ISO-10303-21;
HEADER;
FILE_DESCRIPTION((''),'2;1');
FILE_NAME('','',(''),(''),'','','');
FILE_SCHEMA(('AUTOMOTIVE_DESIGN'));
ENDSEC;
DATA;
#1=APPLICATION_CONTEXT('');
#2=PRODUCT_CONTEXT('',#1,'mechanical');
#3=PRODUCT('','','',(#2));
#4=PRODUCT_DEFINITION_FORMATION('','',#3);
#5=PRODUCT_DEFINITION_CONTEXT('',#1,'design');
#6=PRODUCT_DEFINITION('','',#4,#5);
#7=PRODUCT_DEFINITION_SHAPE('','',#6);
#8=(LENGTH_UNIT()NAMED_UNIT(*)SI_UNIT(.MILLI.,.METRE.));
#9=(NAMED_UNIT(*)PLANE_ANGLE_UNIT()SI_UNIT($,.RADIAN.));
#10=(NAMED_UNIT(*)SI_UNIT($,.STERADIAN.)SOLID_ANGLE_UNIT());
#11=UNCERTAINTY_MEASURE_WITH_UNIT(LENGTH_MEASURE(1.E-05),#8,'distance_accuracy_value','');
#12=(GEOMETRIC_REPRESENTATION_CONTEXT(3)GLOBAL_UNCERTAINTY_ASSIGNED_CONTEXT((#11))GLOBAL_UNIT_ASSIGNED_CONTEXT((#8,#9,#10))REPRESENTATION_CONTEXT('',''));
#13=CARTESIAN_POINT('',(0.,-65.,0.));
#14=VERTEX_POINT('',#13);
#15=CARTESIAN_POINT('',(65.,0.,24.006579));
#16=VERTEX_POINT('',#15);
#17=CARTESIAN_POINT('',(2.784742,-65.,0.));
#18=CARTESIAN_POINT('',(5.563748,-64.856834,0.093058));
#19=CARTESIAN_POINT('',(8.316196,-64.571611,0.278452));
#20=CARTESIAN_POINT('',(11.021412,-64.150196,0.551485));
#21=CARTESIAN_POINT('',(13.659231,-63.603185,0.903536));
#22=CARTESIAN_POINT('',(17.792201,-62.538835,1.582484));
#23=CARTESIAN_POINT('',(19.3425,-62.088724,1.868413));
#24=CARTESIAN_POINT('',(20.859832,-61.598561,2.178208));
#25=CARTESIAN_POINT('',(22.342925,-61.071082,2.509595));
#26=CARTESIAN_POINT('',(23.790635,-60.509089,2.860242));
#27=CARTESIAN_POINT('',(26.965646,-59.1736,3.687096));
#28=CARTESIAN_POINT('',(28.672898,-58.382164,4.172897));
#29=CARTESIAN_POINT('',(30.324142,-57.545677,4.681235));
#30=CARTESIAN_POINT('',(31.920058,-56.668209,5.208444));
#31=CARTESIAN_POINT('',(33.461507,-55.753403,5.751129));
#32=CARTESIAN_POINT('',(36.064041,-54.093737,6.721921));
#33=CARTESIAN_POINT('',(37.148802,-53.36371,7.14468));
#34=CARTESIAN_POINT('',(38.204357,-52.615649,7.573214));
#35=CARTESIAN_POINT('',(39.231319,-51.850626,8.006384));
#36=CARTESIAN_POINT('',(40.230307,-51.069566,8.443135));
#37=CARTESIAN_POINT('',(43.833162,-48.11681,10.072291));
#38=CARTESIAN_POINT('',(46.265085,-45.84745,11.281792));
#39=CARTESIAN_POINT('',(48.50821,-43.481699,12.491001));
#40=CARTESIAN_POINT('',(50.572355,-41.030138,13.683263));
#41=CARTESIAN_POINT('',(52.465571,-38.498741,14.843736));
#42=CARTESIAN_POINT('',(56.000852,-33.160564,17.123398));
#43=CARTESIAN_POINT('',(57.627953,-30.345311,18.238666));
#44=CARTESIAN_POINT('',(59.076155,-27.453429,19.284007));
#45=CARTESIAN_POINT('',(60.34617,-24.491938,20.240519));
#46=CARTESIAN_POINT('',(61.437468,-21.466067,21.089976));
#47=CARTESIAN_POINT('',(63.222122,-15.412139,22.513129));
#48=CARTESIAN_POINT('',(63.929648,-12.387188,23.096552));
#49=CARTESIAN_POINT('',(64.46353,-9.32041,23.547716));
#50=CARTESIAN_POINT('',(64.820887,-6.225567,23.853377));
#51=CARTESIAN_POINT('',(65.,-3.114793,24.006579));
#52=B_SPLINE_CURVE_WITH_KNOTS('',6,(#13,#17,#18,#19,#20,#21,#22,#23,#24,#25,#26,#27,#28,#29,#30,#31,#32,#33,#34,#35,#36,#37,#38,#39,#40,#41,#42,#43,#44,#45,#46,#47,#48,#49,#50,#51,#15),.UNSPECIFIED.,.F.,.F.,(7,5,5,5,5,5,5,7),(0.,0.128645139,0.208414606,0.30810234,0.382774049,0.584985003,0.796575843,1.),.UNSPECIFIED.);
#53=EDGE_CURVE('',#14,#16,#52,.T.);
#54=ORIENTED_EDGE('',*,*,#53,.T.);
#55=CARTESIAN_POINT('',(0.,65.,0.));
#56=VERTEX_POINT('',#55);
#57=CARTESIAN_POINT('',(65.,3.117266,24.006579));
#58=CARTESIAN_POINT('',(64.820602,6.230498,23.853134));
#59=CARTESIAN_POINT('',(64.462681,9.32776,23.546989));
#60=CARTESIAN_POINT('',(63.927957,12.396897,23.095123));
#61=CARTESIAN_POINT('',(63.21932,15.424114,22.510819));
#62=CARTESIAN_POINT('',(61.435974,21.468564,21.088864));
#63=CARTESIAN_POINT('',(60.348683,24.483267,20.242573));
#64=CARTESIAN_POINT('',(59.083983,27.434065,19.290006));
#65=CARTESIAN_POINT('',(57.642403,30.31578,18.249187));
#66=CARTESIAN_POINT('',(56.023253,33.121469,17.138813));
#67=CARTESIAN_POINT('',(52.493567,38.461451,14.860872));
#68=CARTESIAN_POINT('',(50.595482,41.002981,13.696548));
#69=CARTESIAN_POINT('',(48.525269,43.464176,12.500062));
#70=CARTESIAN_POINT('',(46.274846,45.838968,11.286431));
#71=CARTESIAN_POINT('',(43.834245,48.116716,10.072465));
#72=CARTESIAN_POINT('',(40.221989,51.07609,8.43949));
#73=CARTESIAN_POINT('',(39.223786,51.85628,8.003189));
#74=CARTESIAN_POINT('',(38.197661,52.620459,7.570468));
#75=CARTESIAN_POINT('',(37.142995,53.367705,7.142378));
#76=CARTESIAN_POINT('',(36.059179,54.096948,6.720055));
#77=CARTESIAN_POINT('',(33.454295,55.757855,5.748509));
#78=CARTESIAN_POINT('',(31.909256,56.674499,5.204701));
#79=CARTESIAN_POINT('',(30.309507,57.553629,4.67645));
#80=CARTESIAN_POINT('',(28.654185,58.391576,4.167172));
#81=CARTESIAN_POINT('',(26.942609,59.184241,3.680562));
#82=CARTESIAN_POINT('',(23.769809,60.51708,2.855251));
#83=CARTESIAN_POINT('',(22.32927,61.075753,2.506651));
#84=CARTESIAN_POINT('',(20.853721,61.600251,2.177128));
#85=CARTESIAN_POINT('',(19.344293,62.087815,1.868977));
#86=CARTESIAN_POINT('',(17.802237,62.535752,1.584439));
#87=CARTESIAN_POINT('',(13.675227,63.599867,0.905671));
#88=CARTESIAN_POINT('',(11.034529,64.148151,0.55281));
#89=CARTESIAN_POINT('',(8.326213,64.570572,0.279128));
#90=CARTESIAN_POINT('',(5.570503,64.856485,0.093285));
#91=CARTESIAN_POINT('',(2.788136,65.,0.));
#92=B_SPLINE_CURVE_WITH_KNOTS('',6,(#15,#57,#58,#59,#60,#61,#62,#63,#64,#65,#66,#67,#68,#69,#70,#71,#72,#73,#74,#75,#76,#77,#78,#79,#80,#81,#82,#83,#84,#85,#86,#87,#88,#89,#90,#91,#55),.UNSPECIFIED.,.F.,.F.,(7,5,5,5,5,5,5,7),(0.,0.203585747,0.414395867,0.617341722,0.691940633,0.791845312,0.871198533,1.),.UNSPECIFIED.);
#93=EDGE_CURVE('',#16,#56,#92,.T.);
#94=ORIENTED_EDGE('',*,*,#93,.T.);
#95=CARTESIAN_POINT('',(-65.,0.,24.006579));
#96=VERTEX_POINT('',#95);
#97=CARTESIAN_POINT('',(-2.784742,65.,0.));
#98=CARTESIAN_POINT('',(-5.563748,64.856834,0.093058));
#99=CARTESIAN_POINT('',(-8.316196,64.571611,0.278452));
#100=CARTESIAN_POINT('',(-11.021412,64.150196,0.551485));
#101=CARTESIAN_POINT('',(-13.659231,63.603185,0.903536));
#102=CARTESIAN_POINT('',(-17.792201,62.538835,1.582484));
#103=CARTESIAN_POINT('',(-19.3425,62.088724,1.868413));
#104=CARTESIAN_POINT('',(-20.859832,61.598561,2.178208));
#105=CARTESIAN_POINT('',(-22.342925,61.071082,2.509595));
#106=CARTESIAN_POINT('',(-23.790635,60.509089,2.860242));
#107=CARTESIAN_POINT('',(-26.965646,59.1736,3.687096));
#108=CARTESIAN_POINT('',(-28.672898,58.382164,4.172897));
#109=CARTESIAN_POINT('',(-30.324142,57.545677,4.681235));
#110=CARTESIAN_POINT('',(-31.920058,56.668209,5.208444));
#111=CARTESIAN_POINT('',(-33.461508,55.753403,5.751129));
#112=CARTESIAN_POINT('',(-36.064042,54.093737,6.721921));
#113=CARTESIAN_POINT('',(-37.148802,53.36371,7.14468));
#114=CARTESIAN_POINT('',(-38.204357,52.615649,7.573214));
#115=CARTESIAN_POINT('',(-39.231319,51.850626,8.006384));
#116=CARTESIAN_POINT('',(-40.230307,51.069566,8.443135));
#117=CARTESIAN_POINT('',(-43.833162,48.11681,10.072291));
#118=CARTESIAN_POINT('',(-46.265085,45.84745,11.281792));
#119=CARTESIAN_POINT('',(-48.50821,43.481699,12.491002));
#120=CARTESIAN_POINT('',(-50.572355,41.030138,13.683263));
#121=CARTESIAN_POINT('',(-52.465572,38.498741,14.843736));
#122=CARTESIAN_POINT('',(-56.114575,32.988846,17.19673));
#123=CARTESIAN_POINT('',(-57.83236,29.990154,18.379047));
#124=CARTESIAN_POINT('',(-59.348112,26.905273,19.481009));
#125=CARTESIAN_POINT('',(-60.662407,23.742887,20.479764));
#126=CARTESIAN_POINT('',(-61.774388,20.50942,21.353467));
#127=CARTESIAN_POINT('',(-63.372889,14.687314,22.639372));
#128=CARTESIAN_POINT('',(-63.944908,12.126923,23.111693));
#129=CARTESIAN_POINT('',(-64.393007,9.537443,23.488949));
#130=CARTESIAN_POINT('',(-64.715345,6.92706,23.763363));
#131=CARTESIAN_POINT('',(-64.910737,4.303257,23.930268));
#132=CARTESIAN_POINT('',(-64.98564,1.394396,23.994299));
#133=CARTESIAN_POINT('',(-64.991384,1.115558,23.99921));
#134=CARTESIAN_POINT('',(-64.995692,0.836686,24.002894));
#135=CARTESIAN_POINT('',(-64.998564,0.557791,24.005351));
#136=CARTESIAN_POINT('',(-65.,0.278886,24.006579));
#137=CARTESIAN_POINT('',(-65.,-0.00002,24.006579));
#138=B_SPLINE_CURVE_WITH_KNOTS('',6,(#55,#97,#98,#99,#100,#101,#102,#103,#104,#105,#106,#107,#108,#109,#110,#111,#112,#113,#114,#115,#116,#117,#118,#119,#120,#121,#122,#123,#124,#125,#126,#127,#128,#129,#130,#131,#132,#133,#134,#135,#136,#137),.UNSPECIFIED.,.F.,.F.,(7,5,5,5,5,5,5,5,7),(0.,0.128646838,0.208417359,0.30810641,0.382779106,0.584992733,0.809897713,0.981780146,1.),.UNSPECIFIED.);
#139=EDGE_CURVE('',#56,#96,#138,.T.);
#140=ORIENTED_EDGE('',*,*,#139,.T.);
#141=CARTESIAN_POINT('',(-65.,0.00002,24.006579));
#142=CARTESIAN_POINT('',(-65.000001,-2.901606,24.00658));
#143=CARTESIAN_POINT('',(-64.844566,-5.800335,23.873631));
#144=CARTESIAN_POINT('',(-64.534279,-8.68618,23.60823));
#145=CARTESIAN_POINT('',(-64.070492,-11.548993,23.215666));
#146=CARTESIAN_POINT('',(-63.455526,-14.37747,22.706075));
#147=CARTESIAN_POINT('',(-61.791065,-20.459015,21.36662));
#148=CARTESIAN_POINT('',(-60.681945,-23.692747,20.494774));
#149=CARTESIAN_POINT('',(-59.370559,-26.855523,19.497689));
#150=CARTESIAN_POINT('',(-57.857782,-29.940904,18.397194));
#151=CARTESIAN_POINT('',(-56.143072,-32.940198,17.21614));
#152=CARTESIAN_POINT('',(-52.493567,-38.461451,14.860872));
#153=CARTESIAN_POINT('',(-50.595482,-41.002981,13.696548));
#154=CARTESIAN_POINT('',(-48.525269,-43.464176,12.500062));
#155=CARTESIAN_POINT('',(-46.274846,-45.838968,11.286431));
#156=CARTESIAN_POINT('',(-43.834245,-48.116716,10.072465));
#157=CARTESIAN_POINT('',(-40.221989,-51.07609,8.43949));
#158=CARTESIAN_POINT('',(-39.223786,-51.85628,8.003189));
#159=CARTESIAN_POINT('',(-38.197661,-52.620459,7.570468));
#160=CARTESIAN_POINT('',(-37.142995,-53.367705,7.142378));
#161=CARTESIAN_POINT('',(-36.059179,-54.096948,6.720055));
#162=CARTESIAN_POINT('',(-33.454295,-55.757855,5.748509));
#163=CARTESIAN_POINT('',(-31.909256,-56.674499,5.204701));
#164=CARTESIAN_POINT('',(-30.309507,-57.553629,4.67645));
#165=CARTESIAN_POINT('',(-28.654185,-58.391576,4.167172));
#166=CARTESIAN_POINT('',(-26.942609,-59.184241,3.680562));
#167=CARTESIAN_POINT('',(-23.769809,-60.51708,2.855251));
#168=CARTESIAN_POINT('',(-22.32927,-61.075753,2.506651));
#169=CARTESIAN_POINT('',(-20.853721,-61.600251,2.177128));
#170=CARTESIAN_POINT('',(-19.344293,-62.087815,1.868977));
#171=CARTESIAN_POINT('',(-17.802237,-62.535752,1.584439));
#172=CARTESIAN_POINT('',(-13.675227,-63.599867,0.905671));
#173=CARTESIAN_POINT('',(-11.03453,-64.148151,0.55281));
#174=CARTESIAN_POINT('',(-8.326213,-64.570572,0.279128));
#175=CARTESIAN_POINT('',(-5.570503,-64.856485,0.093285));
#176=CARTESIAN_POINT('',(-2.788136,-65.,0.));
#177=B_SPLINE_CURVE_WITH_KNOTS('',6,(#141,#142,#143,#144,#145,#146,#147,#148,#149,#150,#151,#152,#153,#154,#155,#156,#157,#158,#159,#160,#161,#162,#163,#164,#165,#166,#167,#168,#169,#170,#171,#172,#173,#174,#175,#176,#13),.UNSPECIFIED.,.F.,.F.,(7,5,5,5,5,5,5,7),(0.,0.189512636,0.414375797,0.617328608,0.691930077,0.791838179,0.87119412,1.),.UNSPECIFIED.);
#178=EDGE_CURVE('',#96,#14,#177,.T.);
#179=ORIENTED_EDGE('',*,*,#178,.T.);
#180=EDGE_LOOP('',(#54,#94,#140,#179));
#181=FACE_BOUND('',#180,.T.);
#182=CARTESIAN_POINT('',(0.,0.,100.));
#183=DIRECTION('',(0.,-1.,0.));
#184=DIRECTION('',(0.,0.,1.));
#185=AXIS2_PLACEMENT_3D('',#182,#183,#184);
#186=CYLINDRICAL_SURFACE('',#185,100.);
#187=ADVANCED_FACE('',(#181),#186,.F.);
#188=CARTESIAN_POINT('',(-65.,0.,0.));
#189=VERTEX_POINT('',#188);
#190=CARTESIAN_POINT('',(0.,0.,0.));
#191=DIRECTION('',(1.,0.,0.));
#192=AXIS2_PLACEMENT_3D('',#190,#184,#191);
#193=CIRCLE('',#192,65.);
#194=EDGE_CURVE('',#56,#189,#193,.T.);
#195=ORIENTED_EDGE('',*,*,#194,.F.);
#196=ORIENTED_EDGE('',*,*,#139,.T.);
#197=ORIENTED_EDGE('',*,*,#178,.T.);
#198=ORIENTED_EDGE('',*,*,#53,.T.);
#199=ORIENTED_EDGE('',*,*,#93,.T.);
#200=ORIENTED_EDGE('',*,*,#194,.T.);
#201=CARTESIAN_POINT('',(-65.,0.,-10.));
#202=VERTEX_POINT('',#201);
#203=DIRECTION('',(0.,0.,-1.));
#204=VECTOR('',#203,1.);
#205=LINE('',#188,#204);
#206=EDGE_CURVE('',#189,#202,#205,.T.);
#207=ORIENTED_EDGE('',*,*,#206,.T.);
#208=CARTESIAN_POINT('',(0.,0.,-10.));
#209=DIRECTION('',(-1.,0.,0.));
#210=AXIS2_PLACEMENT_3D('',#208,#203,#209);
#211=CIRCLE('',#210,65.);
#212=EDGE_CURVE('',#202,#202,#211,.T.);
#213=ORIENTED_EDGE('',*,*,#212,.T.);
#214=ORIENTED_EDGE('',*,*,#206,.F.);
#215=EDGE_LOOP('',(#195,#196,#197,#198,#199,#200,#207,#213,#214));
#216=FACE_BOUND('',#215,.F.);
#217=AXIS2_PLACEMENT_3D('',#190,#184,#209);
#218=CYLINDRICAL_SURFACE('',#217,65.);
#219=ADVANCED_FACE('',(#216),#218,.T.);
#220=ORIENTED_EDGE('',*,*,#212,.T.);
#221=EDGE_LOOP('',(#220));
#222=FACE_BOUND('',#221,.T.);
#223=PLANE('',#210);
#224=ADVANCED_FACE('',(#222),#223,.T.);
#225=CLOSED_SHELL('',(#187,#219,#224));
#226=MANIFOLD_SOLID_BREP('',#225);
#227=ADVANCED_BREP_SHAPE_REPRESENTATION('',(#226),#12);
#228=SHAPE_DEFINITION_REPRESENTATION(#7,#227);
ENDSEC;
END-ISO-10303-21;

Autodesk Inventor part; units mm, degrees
ref_plane "XZ Plane" through (0, 0, 0) normal (0, 1, 0) x (-1, 0, 0)
ref_plane "XY Plane" through (0, 0, 0) normal (0, 0, 1) x (1, 0, 0)
sketch "Sketch1" plane through (0, 0, 0) normal (0, 0, 1) x (1, 0, 0)
  circle A0 centre (0, 0) radius 65
  dimension "d0" = 130
extrude "Extrusion1" add sketch "Sketch1" along normal blind 25
ref_plane "Work Plane1" through (0, 0, 0) normal (0, 1, 0) x (0, 0, 1)
sketch "Sketch2" plane through (0, 0, 0) normal (0, 1, 0) x (0, 0, 1)
  circle A0 centre (100, 0) radius 100
  line L0 (0, 65) -> (0, -65) projected
  point P0 (0, 0)
  dimension "d4" = 200
extrude "Extrusion2" cut sketch "Sketch2" along normal mid plane 130
sketch "Sketch3" plane through (0, 0, 0) normal (0, 0, -1) x (-1, 0, 0)
  circle A0 centre (0, 0) radius 65
extrude "Extrusion3" add sketch "Sketch3" along normal blind 10
ref_plane "Work Plane2" through (0, 0, 0) normal (-1, 0, 0) x (0, 0, 1)
properties part number "DiscoSuporteInterno" material "Nickel-Copper Alloy 400"
